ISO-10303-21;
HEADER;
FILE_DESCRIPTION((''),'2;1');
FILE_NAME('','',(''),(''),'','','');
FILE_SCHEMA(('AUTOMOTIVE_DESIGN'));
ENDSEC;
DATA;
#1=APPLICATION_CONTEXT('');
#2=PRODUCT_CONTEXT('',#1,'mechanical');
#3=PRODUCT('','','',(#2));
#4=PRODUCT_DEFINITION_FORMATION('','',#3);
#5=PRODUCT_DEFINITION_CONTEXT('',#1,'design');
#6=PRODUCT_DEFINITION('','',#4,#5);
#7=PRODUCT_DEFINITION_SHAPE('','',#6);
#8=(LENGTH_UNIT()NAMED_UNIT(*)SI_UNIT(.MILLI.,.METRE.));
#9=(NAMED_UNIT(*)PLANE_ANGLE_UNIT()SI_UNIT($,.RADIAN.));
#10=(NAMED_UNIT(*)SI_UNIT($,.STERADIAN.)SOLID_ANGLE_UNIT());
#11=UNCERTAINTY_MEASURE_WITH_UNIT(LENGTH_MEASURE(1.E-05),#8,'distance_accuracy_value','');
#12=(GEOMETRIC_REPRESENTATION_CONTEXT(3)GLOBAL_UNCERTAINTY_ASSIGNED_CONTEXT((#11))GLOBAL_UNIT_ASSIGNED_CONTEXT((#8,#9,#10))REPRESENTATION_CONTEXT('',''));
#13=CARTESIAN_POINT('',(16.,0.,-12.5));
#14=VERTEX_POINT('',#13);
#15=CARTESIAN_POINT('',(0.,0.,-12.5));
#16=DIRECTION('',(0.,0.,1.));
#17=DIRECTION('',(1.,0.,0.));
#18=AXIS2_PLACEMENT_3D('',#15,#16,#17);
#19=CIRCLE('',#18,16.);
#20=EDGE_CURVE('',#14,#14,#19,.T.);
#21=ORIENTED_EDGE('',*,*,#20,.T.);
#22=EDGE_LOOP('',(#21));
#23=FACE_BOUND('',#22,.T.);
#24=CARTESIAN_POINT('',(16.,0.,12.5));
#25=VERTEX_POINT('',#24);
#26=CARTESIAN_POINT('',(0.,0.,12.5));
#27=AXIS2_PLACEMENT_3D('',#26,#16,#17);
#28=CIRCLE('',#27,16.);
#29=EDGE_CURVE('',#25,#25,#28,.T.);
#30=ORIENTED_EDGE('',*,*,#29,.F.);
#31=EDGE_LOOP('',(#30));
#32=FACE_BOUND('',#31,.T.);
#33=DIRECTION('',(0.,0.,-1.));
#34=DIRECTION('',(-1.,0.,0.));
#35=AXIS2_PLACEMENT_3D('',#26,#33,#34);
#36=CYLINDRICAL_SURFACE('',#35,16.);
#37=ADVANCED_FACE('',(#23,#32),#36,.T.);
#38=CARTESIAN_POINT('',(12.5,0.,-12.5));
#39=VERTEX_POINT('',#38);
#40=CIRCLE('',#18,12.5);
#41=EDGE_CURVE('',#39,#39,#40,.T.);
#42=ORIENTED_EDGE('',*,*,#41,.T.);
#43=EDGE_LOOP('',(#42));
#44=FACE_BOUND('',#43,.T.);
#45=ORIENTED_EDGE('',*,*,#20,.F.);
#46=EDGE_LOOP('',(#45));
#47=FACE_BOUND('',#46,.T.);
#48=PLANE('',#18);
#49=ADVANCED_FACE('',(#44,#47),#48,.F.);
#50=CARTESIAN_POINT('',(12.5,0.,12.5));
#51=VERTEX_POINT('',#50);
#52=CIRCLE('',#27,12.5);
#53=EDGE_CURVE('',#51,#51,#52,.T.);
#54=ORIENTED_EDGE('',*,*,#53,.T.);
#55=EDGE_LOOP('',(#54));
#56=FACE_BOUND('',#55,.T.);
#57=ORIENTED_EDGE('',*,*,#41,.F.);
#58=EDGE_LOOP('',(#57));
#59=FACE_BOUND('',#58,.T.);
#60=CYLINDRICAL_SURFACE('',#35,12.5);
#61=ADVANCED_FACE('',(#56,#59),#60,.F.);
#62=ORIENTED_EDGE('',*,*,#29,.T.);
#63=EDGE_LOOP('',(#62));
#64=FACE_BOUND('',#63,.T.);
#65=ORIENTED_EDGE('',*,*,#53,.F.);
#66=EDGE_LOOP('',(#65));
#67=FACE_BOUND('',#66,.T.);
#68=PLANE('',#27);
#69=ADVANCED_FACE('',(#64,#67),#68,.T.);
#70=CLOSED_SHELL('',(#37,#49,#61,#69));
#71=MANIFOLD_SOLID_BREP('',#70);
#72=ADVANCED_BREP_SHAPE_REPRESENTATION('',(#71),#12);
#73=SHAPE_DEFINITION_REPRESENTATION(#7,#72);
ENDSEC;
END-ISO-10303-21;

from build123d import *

# Parameters (mm, degrees)
SKETCH1_R           = 16
SKETCH1_R_2         = 12.5
BOSS_EXTRUDE1_DEPTH = 12.5


with BuildPart() as part:
    # Sketch1 → Boss-Extrude1 (new body, symmetric)
    with BuildSketch(Plane.XY):
        Circle(SKETCH1_R)
        Circle(SKETCH1_R_2, mode=Mode.SUBTRACT)
    extrude(amount=BOSS_EXTRUDE1_DEPTH, both=True)


solid = part.part
